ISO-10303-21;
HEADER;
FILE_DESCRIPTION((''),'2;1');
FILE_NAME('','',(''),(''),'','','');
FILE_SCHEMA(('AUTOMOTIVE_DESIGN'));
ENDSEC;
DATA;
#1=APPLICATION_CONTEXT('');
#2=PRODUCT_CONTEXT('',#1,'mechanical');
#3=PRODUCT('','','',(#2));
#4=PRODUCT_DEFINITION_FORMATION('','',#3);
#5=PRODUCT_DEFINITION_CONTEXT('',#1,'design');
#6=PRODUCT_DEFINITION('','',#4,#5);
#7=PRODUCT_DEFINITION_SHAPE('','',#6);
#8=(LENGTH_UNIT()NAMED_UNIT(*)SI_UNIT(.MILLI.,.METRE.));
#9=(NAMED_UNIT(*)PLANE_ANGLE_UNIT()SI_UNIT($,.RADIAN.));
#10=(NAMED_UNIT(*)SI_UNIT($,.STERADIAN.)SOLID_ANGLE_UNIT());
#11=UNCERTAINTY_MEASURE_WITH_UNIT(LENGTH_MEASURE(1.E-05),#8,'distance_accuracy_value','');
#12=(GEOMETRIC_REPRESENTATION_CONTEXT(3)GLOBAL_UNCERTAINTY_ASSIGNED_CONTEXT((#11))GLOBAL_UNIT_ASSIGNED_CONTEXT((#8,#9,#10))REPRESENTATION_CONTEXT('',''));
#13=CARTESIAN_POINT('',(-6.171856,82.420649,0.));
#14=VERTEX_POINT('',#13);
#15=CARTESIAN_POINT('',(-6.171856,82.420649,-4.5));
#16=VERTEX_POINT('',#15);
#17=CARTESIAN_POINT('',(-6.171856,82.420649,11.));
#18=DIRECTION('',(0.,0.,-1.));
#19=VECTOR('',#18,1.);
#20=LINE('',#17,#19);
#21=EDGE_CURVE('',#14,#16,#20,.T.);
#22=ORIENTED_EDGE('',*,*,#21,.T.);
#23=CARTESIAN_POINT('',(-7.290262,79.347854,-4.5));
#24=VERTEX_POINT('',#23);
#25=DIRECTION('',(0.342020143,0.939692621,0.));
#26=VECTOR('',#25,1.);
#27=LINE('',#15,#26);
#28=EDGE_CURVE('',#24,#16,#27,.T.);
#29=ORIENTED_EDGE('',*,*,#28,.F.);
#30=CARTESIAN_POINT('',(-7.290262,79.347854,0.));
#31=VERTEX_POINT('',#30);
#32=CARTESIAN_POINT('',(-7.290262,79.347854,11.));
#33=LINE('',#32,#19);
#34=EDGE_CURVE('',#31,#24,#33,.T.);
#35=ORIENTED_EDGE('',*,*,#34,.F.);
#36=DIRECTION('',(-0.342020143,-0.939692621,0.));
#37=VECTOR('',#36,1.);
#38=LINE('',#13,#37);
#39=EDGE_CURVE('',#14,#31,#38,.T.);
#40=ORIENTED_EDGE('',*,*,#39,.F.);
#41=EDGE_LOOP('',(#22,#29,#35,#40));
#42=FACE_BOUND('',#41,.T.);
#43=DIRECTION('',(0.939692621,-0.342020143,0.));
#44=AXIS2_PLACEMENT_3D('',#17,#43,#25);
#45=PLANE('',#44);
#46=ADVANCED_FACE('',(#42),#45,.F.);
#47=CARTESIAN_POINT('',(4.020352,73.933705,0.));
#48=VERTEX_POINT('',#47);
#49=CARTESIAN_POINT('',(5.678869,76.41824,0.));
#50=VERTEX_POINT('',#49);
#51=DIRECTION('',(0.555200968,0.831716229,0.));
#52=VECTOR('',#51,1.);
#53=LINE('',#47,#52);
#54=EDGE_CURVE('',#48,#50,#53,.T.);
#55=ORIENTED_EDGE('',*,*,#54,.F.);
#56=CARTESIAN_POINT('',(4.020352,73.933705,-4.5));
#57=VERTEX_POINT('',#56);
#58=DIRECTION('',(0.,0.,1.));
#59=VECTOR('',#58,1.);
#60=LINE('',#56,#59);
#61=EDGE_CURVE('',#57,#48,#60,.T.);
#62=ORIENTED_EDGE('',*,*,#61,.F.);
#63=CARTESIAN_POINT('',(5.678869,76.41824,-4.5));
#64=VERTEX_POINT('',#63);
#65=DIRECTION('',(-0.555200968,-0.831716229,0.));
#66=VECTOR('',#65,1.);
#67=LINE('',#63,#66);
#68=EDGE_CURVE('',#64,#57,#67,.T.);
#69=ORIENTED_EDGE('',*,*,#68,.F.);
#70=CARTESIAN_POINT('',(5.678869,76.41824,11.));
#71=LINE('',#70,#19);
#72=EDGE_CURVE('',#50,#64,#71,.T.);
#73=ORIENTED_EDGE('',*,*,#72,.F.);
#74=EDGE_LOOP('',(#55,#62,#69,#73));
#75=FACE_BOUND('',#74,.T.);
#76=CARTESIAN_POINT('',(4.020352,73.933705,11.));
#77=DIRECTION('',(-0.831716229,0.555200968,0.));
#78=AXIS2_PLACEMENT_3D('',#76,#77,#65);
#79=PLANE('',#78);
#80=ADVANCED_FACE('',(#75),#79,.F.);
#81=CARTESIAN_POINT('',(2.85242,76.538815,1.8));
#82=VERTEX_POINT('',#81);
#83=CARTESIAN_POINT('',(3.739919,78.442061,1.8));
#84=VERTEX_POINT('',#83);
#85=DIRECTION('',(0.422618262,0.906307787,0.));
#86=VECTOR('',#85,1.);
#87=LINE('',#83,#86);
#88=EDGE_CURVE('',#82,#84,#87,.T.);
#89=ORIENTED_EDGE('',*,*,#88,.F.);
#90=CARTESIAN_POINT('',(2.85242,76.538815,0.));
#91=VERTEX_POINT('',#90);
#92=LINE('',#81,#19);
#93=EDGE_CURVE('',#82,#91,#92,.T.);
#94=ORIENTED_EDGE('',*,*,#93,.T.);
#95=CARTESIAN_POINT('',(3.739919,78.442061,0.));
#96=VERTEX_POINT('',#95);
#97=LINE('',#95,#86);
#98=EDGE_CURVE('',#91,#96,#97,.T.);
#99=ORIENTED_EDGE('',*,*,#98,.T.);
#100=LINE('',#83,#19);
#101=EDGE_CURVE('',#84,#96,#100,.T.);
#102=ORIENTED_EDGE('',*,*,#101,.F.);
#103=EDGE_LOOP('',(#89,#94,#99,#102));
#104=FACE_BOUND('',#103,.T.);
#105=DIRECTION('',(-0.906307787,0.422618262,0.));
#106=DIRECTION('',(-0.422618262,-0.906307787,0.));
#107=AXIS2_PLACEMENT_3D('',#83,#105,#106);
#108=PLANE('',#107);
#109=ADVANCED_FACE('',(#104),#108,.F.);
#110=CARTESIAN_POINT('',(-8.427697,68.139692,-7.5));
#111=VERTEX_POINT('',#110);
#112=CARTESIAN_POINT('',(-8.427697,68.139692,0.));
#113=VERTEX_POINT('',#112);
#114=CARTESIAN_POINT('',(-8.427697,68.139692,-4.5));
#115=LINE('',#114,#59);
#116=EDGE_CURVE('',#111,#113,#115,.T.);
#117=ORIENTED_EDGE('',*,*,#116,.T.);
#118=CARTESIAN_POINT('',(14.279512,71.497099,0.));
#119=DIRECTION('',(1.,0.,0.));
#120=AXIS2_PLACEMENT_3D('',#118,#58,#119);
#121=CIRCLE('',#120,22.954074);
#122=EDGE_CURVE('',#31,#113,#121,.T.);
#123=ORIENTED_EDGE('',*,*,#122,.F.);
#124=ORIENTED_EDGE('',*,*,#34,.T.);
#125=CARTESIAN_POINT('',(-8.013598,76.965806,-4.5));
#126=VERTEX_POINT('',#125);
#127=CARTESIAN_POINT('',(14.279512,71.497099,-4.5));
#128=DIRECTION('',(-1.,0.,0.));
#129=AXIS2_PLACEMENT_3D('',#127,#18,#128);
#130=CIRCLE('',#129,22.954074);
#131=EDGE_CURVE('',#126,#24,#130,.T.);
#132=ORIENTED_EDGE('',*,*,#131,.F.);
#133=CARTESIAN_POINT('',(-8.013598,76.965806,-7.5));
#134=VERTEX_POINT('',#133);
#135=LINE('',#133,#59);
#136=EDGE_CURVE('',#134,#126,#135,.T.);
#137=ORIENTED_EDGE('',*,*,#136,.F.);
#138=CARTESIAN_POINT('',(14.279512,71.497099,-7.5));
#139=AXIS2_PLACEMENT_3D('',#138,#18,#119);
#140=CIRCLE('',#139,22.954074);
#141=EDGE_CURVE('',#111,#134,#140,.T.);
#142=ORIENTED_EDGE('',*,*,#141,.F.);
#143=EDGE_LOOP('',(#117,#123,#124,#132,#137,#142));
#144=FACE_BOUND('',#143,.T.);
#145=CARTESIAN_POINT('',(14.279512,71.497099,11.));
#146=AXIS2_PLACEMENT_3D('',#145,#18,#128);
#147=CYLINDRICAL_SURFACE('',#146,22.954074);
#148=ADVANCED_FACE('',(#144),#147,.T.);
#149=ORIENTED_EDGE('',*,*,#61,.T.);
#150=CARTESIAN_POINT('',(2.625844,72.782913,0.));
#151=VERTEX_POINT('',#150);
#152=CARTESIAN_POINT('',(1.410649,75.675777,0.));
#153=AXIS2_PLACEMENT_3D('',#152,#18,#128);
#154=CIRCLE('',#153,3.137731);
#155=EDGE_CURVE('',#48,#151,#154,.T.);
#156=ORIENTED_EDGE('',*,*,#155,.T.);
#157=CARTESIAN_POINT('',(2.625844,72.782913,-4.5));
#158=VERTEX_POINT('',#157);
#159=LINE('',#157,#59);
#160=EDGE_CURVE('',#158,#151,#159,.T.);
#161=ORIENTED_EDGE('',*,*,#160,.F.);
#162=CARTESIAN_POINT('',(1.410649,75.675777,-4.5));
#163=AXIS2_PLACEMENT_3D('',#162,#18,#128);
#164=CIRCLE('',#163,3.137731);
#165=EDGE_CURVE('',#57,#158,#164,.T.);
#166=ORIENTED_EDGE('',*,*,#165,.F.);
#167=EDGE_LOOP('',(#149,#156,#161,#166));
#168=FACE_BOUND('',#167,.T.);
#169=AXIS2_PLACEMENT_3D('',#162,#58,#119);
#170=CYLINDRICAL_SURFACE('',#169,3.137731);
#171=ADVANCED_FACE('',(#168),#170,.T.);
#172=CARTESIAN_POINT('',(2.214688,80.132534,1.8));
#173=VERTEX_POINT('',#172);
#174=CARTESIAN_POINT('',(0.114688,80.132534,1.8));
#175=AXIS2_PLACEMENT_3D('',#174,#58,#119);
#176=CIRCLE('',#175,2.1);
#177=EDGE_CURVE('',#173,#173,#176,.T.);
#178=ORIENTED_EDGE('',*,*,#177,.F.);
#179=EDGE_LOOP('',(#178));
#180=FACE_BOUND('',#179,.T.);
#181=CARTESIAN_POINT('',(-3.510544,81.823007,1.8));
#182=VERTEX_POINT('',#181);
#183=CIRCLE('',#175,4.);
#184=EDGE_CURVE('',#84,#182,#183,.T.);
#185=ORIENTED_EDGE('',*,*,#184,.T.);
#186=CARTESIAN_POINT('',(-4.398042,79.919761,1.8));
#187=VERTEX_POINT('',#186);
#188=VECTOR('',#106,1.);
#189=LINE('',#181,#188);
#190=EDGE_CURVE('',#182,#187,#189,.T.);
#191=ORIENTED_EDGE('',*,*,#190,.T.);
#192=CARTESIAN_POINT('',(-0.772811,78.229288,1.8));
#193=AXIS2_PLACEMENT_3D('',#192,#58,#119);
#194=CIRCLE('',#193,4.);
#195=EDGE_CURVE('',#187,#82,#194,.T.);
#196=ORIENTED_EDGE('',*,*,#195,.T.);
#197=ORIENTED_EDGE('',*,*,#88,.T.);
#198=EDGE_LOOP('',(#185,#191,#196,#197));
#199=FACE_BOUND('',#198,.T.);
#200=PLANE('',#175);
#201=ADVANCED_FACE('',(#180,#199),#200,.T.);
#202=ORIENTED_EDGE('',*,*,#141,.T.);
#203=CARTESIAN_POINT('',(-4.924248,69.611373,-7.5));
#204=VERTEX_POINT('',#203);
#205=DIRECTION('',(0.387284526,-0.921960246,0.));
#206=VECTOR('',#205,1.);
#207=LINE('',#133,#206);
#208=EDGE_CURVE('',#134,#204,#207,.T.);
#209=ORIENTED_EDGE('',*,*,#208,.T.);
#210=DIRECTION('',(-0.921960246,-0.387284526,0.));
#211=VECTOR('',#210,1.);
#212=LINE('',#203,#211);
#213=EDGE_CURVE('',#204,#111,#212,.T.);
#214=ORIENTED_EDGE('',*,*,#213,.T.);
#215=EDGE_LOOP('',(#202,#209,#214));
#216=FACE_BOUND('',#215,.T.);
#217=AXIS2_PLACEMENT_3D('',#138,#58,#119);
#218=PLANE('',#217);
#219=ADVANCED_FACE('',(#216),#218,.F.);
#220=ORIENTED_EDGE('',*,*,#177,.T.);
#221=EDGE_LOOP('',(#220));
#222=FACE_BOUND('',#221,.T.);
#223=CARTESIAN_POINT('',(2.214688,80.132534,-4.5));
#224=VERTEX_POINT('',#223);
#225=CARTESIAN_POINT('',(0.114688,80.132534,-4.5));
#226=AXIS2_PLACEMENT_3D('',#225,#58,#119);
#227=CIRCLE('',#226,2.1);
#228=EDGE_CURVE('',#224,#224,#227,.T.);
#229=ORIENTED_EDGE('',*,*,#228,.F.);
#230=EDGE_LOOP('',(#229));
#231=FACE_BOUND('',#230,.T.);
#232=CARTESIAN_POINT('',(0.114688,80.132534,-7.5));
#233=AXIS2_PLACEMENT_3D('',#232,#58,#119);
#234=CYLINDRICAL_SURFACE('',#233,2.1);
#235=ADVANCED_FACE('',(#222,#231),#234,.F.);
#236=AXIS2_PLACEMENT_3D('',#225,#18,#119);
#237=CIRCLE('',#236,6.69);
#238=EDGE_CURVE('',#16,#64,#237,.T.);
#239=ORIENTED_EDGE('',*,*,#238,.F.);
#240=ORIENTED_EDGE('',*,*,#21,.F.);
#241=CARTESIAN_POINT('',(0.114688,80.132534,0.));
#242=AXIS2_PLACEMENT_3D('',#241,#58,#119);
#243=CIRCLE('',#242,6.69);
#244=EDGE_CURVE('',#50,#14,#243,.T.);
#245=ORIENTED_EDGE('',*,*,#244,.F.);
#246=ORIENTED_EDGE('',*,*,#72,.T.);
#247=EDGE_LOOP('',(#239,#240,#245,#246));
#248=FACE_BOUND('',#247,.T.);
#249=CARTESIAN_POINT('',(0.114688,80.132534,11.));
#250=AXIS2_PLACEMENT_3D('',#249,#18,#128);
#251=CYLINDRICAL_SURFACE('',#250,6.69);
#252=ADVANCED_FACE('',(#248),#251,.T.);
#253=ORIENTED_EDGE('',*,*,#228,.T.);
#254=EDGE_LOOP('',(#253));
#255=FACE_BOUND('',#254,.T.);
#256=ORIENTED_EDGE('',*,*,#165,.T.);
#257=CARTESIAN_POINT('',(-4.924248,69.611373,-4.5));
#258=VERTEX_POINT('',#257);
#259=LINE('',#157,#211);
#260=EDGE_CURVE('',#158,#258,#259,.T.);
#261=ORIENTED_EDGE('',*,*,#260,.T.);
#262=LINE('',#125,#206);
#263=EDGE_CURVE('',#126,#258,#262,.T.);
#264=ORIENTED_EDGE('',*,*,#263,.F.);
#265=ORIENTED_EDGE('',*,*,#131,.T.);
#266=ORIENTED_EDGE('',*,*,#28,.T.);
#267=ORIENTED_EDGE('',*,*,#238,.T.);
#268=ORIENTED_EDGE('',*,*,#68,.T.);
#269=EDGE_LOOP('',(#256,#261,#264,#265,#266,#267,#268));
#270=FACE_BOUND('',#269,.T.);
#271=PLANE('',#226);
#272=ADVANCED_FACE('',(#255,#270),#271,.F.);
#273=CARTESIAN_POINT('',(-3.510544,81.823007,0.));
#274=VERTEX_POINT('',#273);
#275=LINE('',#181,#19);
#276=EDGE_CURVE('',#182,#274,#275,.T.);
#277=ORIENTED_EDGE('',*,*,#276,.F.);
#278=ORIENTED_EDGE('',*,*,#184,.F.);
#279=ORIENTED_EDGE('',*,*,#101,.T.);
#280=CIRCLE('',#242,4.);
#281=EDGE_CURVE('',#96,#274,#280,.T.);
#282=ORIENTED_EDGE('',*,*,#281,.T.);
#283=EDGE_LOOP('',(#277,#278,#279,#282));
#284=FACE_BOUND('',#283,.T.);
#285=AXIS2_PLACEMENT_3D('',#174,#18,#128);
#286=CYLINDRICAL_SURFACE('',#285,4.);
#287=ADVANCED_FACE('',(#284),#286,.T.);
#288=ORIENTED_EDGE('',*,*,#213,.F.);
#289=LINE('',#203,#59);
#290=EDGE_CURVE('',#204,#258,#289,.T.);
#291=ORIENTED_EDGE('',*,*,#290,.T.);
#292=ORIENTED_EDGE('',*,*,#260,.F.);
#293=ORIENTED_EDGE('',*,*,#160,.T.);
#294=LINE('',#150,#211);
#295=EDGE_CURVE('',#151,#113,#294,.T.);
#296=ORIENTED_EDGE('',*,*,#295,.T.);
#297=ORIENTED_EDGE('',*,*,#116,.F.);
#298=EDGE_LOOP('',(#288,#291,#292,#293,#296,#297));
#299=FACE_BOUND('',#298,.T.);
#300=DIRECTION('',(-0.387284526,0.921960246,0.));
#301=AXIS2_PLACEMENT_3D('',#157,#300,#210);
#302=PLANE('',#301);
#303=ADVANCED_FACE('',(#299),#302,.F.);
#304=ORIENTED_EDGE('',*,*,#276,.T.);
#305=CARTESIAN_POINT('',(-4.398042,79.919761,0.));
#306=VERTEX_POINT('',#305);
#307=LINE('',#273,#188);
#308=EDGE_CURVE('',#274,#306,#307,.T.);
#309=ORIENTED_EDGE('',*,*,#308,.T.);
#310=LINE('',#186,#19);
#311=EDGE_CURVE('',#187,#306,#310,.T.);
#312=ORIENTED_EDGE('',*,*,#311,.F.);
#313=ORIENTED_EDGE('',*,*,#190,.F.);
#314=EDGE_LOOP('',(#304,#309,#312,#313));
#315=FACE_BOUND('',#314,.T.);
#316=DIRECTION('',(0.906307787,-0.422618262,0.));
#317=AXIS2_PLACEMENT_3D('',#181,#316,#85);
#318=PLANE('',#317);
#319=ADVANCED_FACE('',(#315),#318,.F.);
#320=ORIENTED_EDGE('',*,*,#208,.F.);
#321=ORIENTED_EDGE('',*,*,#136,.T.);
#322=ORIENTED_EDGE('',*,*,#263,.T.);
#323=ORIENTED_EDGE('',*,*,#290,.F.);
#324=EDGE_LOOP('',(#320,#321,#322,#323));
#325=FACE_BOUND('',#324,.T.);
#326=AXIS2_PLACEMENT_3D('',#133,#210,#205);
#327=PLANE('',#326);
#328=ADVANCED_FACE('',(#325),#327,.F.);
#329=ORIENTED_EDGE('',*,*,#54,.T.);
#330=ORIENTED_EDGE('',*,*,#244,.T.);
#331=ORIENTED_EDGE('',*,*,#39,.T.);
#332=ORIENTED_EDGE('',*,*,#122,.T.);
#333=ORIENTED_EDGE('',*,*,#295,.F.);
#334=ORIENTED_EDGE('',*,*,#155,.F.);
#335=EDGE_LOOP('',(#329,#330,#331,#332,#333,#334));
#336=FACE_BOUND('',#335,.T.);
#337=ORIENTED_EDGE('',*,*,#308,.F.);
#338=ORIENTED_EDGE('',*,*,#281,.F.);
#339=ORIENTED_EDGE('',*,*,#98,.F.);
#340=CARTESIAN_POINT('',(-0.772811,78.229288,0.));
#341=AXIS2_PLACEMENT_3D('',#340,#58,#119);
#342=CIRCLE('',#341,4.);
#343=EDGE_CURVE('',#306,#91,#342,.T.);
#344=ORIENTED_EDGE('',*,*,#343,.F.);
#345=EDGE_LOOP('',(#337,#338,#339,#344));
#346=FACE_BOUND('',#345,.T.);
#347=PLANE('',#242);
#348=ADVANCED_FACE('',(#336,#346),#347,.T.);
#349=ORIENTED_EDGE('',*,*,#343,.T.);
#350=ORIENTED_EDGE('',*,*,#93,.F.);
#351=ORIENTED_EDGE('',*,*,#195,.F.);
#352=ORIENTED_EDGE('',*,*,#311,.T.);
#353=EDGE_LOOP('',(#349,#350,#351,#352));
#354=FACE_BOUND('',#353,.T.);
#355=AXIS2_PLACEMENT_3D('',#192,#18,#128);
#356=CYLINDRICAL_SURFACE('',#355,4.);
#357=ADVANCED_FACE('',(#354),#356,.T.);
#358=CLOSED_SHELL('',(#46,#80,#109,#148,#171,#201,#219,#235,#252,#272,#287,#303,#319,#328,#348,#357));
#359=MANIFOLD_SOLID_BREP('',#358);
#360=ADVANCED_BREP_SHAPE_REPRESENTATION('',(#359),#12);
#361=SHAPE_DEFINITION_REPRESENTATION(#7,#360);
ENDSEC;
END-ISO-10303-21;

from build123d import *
from build123d.topology import SkipClean

# Parameters (mm, degrees)
SKETCH3_R           = 2.75
SKETCH3_R_2         = 2.1
BOSS_EXTRUDE2_DEPTH = 11
BOSS_EXTRUDE4_START = 4.5
BOSS_EXTRUDE4_DEPTH = 4.5
BOSS_EXTRUDE3_START = 3
BOSS_EXTRUDE3_DEPTH = 3
SKETCH14_W          = 47.285712055
SKETCH14_H          = 12.595473758
CUT_EXTRUDE1_DEPTH  = 92.326119258
BOSS_EXTRUDE5_DEPTH = 1.8
SKETCH15_R          = 2.1
CUT_EXTRUDE2_DEPTH  = 88.749019959


with BuildPart() as part:
    # Sketch3 → Boss-Extrude2 (new body)
    with BuildSketch(Plane.XY):
        with BuildLine():
            Line((11.81639044, 60.252883085), (11.728372068, 60.311638564))
            ThreePointArc((11.728372068, 60.311638564), (8.917204522, 62.7925154), (6.866230988, 65.931132995))
            ThreePointArc((6.866230988, 65.931132995), (6.025591445, 67.274340702), (4.901176311, 68.390840765))
            ThreePointArc((4.901176311, 68.390840765), (3.375934297, 70.989881123), (4.020351516, 73.93370524))
            Line((4.020351516, 73.93370524), (5.678869184, 76.41823992))
            ThreePointArc((5.678869184, 76.41823992), (3.137547336, 86.100651278), (-6.171856019, 82.420649156))
            Line((-6.171856019, 82.420649156), (-7.290261888, 79.347854286))
            ThreePointArc((-7.290261888, 79.347854286), (-8.557893098, 69.185727028), (-5.279809822, 59.483671095))
            ThreePointArc((-5.279809822, 59.483671095), (-2.848156457, 57.139360441), (0.414833066, 56.266646336))
            ThreePointArc((0.414833066, 56.266646336), (3.287818882, 55.822166382), (5.91364728, 54.574514525))
            Line((5.91364728, 54.574514525), (7.374782695, 53.599153256))
            ThreePointArc((7.374782695, 53.599153256), (10.815902262, 50.678650143), (13.499590609, 47.049812979))
            ThreePointArc((13.499590609, 47.049812979), (24.965953819, 46.665736496), (20.21385057, 57.108078892))
            ThreePointArc((20.21385057, 57.108078892), (15.833272198, 58.194897845), (11.81639044, 60.252883085))
        make_face()
        with Locations((19.351869275, 50.413343031)):
            Circle(SKETCH3_R, mode=Mode.SUBTRACT)
        with Locations((0.471910886, 63.016405008)):
            Circle(SKETCH3_R, mode=Mode.SUBTRACT)
        with Locations((0.114687614, 80.132534397)):
            Circle(SKETCH3_R_2, mode=Mode.SUBTRACT)
    extrude(amount=BOSS_EXTRUDE2_DEPTH)

    # Sketch13 → Boss-Extrude4 (add)
    with SkipClean():  # the faces are left unmerged after this step: merging them gives an invalid solid
        with BuildSketch(Plane(origin=(0, 0, 0), x_dir=(-1, 0, 0), z_dir=(0, 0, -1)).offset(BOSS_EXTRUDE4_START)):
            with BuildLine():
                Line((-5.678869184, 76.41823992), (-4.020351516, 73.93370524))
                ThreePointArc((-4.020351516, 73.93370524), (-3.407782277, 73.255690271), (-2.625844204, 72.782913134))
                Line((-2.625844204, 72.782913134), (8.427696777, 68.139691908))
                ThreePointArc((8.427696777, 68.139691908), (8.557268078, 73.814637343), (7.290261888, 79.347854286))
                Line((7.290261888, 79.347854286), (6.171856019, 82.420649156))
                ThreePointArc((6.171856019, 82.420649156), (-3.137547336, 86.100651278), (-5.678869184, 76.41823992))
            make_face()
        extrude(amount=-BOSS_EXTRUDE4_DEPTH)

    # Sketch12 → Boss-Extrude3 (add)
    with SkipClean():  # the faces are left unmerged after this step: merging them gives an invalid solid
        with BuildSketch(Plane(origin=(0, 0, -4.5), x_dir=(-1, 0, 0), z_dir=(0, 0, -1)).offset(BOSS_EXTRUDE3_START)):
            with BuildLine():
                Line((8.013597957, 76.965805827), (4.924247842, 69.611373108))
                Line((4.924247842, 69.611373108), (8.427696777, 68.139691908))
                ThreePointArc((8.427696777, 68.139691908), (8.649339764, 72.572862025), (8.013597957, 76.965805827))
            make_face()
        extrude(amount=-BOSS_EXTRUDE3_DEPTH)

    # Sketch14 → Cut-Extrude1 (cut, through all)
    with BuildSketch(Plane(origin=(0, 0, 0), x_dir=(1, 0, 0), z_dir=(0, 1, 0))):
        with Locations((8.412006537, -6.297736879)):
            Rectangle(SKETCH14_W, SKETCH14_H)
    extrude(amount=CUT_EXTRUDE1_DEPTH, mode=Mode.SUBTRACT)

    # Sketch16 → Boss-Extrude5 (add)
    with BuildSketch(Plane.XY):
        with BuildLine():
            Line((3.739918762, 78.44206135), (2.852420412, 76.538814997))
            ThreePointArc((2.852420412, 76.538814997), (-2.463283783, 74.604056896), (-4.398041884, 79.919761091))
            Line((-4.398041884, 79.919761091), (-3.510543534, 81.823007444))
            ThreePointArc((-3.510543534, 81.823007444), (1.805160661, 83.757765545), (3.739918762, 78.44206135))
        make_face()
    extrude(amount=BOSS_EXTRUDE5_DEPTH)

    # Sketch15 → Cut-Extrude2 (cut, through all)
    with BuildSketch(Plane.XY.offset(1.8)):
        with Locations((0.114687614, 80.132534397)):
            Circle(SKETCH15_R)
    extrude(amount=-CUT_EXTRUDE2_DEPTH, mode=Mode.SUBTRACT)


solid = part.part
